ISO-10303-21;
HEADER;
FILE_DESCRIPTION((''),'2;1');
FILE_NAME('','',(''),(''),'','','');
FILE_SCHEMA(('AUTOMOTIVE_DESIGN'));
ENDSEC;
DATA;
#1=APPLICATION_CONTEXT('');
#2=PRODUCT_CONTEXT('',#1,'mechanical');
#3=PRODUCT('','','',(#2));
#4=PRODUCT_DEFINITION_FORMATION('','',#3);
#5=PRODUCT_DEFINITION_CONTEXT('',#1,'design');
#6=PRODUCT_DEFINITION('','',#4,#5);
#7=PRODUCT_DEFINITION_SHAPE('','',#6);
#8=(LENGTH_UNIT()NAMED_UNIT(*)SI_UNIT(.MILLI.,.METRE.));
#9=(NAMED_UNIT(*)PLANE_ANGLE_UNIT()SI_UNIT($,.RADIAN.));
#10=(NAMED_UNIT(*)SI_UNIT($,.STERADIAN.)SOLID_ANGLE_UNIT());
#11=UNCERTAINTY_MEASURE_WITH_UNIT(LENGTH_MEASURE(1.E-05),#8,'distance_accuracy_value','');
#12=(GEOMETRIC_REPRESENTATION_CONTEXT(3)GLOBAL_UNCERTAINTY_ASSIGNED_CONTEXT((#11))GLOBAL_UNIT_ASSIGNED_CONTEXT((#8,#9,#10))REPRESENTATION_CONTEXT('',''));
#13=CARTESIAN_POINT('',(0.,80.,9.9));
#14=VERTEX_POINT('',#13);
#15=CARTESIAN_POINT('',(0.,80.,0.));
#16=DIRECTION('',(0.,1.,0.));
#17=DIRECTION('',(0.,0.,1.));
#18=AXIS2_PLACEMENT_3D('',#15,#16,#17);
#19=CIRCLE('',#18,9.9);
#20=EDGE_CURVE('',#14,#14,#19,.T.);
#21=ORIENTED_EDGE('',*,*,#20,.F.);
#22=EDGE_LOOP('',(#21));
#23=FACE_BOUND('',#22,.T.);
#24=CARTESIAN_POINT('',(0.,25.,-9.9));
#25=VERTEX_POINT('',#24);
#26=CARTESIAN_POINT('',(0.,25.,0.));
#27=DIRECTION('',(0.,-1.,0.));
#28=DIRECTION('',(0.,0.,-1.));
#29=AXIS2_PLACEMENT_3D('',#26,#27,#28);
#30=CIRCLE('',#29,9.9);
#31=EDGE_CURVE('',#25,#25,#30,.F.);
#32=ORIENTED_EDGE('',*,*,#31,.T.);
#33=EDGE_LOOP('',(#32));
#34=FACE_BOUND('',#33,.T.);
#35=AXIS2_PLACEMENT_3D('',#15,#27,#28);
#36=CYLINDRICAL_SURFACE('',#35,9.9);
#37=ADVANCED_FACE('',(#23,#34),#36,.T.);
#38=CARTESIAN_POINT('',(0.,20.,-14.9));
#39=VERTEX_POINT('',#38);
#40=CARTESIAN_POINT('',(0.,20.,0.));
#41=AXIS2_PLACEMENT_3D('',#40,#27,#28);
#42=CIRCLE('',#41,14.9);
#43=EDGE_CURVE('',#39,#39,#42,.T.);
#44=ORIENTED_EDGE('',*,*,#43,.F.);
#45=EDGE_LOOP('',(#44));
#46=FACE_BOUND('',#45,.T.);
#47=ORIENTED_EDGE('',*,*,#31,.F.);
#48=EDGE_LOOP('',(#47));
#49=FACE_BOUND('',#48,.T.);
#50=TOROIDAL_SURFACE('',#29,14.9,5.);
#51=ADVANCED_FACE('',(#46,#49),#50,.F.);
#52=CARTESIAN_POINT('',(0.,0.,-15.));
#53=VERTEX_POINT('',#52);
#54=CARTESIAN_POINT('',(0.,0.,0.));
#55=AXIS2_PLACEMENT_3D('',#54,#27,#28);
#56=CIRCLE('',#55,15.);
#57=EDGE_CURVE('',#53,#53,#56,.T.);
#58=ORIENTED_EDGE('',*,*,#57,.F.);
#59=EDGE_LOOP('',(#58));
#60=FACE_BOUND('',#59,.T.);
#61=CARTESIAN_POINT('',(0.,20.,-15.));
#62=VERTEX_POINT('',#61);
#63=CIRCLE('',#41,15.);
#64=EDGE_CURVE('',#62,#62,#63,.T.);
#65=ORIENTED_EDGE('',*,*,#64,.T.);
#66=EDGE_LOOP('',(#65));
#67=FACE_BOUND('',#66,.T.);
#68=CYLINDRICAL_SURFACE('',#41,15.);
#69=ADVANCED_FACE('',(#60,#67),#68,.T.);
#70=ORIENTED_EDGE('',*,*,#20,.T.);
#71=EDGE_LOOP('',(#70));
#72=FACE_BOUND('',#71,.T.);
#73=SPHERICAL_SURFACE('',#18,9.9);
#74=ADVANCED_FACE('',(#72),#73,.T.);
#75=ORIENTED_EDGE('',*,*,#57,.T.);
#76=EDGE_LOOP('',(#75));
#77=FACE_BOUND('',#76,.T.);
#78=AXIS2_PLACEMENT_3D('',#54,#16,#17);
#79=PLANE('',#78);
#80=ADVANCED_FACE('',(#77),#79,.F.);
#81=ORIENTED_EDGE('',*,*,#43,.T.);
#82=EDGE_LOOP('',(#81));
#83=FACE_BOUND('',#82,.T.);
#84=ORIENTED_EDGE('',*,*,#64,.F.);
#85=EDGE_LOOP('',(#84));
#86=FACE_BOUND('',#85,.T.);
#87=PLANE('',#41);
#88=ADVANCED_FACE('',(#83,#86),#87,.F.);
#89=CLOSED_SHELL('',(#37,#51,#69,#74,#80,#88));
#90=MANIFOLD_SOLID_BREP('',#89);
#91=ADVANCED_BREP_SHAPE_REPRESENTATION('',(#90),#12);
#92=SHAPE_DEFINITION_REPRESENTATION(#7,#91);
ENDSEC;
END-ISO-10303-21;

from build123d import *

# Parameters (mm, degrees)
ESBO_O1_R                = 9.9
RESSALTO_EXTRUS_O1_DEPTH = 80
ESBO_O4_R                = 15
RESSALTO_EXTRUS_O2_DEPTH = 20
FILETE3_R                = 5


with BuildPart() as part:
    # Esboço1 → Ressalto-extrusão1 (new body)
    with BuildSketch(Plane(origin=(0, 0, 0), x_dir=(1, 0, 0), z_dir=(0, 1, 0))):
        with Locations(Location((0, 0, 0), (0, 0, 270))):
            Circle(ESBO_O1_R)
    extrude(amount=RESSALTO_EXTRUS_O1_DEPTH)

    # Esboço3 → Revolução1 (revolve)
    with BuildSketch(Plane.XY):
        with BuildLine():
            Line((-9.9, 80), (9.9, 80))
            ThreePointArc((9.9, 80), (0, 89.9), (-9.9, 80))
        make_face()
    revolve(axis=Axis((-9.9, 80, 0), (1, 0, 0)))

    # Esboço4 → Ressalto-extrusão2 (add)
    with BuildSketch(Plane.XZ):
        with Locations(Location((0, 0, 0), (0, 0, 270))):
            Circle(ESBO_O4_R)
    extrude(amount=-RESSALTO_EXTRUS_O2_DEPTH)

    # Filete3
    filete3_edges = [part.edges().sort_by_distance(p)[0] for p in [
        (0, 20, -9.9),
    ]]
    fillet(filete3_edges, radius=FILETE3_R)


solid = part.part
